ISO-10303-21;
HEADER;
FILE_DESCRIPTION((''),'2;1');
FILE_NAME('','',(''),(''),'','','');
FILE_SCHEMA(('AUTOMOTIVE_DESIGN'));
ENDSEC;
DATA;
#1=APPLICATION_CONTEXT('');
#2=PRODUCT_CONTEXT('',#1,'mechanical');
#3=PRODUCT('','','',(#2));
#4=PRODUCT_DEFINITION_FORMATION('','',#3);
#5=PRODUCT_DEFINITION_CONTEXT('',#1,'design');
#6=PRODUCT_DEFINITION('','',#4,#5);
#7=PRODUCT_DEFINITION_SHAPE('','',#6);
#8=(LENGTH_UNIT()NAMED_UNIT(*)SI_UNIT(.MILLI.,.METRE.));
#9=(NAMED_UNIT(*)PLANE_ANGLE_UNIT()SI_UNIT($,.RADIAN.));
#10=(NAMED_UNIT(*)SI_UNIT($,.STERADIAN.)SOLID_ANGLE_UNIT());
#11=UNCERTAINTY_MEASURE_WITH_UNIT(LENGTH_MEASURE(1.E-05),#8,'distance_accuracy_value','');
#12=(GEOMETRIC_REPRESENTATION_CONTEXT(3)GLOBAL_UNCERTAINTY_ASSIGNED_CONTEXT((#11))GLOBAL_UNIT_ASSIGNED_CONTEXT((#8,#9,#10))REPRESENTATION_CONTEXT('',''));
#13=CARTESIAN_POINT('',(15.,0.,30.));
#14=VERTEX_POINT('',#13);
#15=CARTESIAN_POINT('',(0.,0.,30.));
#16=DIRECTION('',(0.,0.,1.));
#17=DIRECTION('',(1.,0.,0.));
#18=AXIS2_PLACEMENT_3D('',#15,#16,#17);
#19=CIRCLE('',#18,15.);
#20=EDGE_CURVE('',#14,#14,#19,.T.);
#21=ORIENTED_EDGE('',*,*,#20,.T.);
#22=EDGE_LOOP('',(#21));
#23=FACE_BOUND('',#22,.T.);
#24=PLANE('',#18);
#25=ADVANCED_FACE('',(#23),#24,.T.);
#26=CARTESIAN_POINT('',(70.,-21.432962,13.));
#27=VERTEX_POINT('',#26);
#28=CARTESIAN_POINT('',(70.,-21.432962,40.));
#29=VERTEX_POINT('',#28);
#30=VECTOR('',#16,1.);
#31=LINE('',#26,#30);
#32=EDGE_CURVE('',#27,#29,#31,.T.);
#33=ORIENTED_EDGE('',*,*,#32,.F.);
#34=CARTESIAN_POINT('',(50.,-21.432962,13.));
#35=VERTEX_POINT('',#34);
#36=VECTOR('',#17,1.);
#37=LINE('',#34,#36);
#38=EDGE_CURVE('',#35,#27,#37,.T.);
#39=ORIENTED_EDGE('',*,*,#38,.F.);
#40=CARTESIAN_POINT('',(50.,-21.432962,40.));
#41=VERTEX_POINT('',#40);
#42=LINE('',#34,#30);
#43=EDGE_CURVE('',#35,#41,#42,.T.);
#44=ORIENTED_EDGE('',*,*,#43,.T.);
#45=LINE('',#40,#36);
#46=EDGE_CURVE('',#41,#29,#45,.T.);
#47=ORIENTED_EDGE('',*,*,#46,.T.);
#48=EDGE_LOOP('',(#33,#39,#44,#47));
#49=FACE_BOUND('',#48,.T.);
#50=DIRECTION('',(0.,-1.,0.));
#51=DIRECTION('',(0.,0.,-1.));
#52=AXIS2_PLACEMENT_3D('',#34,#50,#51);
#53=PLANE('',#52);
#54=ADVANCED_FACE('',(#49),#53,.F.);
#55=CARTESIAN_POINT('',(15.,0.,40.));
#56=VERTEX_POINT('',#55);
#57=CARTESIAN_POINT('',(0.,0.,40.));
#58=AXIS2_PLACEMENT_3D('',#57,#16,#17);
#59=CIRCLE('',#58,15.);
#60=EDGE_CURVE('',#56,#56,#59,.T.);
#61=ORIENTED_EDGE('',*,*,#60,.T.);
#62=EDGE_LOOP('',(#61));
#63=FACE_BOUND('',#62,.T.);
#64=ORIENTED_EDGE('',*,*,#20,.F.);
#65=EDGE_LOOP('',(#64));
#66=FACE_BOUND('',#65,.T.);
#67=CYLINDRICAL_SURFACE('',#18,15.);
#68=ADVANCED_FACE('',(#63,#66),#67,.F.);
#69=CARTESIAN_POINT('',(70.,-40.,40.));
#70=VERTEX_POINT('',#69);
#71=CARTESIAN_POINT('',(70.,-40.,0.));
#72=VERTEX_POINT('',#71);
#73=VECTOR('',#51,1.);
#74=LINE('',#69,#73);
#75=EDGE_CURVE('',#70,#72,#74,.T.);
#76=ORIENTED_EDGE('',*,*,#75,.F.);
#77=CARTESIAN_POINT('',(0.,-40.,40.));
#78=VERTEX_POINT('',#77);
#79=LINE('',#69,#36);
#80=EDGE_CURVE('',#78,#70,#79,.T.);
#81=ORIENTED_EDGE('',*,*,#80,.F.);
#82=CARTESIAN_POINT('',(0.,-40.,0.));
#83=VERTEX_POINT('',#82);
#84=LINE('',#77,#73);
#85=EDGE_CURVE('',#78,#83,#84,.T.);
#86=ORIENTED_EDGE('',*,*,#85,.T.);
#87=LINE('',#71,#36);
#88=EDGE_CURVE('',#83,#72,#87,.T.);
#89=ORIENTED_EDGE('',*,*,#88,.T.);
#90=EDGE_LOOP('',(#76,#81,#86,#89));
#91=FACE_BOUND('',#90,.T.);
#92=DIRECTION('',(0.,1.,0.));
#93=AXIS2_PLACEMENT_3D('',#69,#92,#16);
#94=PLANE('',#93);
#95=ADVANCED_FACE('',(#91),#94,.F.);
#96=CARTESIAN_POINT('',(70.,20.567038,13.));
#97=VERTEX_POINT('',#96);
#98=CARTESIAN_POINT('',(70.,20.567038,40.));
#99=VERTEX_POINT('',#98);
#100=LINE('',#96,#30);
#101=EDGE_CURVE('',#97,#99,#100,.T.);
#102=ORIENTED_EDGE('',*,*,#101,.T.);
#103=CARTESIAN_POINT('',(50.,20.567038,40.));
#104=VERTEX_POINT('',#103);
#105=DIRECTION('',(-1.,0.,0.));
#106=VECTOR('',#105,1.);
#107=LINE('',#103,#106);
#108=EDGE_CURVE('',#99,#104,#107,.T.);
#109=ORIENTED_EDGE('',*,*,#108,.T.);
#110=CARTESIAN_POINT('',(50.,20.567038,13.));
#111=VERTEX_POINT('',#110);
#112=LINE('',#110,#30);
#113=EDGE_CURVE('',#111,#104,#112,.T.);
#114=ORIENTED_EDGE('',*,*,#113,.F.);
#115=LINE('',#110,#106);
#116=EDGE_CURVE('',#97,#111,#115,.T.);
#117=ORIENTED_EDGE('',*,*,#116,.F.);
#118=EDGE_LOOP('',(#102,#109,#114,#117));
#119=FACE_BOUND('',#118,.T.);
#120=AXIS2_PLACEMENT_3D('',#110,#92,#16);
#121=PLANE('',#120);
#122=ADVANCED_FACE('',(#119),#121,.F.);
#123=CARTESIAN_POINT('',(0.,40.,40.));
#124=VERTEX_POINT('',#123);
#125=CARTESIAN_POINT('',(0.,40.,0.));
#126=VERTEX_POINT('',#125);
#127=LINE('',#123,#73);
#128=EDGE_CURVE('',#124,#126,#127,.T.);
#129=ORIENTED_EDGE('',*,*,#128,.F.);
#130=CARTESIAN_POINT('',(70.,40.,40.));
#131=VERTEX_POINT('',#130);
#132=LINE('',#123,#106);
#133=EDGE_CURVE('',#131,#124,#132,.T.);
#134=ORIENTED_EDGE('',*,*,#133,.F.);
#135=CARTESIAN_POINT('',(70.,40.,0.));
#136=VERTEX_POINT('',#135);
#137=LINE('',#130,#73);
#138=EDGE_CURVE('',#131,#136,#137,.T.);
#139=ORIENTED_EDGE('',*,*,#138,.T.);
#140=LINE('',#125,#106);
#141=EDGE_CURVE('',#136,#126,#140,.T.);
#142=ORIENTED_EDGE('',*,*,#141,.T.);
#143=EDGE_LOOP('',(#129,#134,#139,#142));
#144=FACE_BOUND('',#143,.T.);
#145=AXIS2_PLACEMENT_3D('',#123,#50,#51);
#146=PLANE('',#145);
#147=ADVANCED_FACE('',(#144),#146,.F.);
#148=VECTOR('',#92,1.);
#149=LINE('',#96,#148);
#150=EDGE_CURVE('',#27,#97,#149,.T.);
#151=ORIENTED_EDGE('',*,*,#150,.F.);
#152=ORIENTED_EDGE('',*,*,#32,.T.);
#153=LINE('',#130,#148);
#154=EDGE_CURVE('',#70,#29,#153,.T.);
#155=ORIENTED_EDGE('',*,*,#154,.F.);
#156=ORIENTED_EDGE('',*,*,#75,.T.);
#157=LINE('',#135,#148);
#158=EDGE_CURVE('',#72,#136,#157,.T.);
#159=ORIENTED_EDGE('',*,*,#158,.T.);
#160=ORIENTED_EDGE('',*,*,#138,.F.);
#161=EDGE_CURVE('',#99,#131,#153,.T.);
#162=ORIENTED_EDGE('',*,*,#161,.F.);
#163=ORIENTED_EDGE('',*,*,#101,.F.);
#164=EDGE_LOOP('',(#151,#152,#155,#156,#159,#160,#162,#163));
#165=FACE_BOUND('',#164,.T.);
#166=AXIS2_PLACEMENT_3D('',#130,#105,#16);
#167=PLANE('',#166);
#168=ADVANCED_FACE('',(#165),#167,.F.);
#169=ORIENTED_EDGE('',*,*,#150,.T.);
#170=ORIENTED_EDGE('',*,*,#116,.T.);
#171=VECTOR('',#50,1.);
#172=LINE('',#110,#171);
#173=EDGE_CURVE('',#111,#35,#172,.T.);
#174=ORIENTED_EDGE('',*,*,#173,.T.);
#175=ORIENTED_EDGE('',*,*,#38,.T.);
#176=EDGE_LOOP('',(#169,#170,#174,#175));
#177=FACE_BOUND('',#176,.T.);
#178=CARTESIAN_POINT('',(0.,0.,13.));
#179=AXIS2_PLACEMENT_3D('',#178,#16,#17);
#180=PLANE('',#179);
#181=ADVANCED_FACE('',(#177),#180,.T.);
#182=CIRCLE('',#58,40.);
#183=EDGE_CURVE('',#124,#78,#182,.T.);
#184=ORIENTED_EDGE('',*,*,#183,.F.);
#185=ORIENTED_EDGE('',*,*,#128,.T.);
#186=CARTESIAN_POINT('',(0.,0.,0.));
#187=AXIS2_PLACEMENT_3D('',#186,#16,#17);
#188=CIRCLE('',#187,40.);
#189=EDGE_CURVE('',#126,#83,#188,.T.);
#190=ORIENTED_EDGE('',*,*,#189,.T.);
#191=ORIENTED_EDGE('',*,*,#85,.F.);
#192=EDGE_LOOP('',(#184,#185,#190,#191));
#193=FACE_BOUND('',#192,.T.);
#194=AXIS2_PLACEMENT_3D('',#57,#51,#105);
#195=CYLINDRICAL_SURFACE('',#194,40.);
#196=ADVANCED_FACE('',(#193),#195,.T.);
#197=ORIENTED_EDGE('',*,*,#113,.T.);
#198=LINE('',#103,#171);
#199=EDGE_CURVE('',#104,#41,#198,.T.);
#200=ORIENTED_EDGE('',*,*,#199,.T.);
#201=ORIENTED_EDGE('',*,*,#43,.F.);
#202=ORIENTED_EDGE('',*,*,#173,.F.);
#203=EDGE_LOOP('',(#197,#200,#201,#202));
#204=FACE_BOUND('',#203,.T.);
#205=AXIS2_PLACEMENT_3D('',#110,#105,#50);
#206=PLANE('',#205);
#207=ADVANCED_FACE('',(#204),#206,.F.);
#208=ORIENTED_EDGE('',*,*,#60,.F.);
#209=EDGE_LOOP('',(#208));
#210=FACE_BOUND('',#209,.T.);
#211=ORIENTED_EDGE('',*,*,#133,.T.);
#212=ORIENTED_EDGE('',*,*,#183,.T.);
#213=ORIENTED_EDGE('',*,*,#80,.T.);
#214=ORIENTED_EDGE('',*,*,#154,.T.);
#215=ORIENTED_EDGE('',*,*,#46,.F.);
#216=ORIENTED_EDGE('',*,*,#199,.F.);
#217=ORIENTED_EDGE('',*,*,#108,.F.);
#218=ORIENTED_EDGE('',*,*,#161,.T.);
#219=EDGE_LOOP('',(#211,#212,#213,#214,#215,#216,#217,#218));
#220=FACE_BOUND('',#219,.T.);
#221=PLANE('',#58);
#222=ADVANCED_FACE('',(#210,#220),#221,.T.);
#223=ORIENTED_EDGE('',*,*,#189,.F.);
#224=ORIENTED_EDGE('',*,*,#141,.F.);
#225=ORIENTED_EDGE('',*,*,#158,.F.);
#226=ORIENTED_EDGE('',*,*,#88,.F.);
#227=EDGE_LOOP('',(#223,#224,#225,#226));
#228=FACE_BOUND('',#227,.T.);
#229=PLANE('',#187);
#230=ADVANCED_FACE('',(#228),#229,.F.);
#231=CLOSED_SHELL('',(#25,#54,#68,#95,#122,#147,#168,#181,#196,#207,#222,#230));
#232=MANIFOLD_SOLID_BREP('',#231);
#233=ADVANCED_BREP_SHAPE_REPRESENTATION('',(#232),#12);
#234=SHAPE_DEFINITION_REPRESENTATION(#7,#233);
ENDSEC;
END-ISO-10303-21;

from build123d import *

# Parameters (mm, degrees)
BOSS_EXTRUDE1_DEPTH = 40
SKETCH2_W           = 20
SKETCH2_H           = 42
CUT_EXTRUDE1_DEPTH  = 27
SKETCH3_R           = 15
CUT_EXTRUDE2_DEPTH  = 10


with BuildPart() as part:
    # Sketch1 → Boss-Extrude1 (new body)
    with BuildSketch(Plane.XY):
        with BuildLine():
            Line((0, 40), (70, 40))
            Line((70, 40), (70, -40))
            Line((70, -40), (0, -40))
            ThreePointArc((0, -40), (-40, 0), (0, 40))
        make_face()
    extrude(amount=BOSS_EXTRUDE1_DEPTH)

    # Sketch2 → Cut-Extrude1 (cut)
    with BuildSketch(Plane.XY.offset(40)):
        with Locations((60, -0.432961974)):
            Rectangle(SKETCH2_W, SKETCH2_H)
    extrude(amount=-CUT_EXTRUDE1_DEPTH, mode=Mode.SUBTRACT)

    # Sketch3 → Cut-Extrude2 (cut)
    with BuildSketch(Plane.XY.offset(40)):
        Circle(SKETCH3_R)
    extrude(amount=-CUT_EXTRUDE2_DEPTH, mode=Mode.SUBTRACT)


solid = part.part
